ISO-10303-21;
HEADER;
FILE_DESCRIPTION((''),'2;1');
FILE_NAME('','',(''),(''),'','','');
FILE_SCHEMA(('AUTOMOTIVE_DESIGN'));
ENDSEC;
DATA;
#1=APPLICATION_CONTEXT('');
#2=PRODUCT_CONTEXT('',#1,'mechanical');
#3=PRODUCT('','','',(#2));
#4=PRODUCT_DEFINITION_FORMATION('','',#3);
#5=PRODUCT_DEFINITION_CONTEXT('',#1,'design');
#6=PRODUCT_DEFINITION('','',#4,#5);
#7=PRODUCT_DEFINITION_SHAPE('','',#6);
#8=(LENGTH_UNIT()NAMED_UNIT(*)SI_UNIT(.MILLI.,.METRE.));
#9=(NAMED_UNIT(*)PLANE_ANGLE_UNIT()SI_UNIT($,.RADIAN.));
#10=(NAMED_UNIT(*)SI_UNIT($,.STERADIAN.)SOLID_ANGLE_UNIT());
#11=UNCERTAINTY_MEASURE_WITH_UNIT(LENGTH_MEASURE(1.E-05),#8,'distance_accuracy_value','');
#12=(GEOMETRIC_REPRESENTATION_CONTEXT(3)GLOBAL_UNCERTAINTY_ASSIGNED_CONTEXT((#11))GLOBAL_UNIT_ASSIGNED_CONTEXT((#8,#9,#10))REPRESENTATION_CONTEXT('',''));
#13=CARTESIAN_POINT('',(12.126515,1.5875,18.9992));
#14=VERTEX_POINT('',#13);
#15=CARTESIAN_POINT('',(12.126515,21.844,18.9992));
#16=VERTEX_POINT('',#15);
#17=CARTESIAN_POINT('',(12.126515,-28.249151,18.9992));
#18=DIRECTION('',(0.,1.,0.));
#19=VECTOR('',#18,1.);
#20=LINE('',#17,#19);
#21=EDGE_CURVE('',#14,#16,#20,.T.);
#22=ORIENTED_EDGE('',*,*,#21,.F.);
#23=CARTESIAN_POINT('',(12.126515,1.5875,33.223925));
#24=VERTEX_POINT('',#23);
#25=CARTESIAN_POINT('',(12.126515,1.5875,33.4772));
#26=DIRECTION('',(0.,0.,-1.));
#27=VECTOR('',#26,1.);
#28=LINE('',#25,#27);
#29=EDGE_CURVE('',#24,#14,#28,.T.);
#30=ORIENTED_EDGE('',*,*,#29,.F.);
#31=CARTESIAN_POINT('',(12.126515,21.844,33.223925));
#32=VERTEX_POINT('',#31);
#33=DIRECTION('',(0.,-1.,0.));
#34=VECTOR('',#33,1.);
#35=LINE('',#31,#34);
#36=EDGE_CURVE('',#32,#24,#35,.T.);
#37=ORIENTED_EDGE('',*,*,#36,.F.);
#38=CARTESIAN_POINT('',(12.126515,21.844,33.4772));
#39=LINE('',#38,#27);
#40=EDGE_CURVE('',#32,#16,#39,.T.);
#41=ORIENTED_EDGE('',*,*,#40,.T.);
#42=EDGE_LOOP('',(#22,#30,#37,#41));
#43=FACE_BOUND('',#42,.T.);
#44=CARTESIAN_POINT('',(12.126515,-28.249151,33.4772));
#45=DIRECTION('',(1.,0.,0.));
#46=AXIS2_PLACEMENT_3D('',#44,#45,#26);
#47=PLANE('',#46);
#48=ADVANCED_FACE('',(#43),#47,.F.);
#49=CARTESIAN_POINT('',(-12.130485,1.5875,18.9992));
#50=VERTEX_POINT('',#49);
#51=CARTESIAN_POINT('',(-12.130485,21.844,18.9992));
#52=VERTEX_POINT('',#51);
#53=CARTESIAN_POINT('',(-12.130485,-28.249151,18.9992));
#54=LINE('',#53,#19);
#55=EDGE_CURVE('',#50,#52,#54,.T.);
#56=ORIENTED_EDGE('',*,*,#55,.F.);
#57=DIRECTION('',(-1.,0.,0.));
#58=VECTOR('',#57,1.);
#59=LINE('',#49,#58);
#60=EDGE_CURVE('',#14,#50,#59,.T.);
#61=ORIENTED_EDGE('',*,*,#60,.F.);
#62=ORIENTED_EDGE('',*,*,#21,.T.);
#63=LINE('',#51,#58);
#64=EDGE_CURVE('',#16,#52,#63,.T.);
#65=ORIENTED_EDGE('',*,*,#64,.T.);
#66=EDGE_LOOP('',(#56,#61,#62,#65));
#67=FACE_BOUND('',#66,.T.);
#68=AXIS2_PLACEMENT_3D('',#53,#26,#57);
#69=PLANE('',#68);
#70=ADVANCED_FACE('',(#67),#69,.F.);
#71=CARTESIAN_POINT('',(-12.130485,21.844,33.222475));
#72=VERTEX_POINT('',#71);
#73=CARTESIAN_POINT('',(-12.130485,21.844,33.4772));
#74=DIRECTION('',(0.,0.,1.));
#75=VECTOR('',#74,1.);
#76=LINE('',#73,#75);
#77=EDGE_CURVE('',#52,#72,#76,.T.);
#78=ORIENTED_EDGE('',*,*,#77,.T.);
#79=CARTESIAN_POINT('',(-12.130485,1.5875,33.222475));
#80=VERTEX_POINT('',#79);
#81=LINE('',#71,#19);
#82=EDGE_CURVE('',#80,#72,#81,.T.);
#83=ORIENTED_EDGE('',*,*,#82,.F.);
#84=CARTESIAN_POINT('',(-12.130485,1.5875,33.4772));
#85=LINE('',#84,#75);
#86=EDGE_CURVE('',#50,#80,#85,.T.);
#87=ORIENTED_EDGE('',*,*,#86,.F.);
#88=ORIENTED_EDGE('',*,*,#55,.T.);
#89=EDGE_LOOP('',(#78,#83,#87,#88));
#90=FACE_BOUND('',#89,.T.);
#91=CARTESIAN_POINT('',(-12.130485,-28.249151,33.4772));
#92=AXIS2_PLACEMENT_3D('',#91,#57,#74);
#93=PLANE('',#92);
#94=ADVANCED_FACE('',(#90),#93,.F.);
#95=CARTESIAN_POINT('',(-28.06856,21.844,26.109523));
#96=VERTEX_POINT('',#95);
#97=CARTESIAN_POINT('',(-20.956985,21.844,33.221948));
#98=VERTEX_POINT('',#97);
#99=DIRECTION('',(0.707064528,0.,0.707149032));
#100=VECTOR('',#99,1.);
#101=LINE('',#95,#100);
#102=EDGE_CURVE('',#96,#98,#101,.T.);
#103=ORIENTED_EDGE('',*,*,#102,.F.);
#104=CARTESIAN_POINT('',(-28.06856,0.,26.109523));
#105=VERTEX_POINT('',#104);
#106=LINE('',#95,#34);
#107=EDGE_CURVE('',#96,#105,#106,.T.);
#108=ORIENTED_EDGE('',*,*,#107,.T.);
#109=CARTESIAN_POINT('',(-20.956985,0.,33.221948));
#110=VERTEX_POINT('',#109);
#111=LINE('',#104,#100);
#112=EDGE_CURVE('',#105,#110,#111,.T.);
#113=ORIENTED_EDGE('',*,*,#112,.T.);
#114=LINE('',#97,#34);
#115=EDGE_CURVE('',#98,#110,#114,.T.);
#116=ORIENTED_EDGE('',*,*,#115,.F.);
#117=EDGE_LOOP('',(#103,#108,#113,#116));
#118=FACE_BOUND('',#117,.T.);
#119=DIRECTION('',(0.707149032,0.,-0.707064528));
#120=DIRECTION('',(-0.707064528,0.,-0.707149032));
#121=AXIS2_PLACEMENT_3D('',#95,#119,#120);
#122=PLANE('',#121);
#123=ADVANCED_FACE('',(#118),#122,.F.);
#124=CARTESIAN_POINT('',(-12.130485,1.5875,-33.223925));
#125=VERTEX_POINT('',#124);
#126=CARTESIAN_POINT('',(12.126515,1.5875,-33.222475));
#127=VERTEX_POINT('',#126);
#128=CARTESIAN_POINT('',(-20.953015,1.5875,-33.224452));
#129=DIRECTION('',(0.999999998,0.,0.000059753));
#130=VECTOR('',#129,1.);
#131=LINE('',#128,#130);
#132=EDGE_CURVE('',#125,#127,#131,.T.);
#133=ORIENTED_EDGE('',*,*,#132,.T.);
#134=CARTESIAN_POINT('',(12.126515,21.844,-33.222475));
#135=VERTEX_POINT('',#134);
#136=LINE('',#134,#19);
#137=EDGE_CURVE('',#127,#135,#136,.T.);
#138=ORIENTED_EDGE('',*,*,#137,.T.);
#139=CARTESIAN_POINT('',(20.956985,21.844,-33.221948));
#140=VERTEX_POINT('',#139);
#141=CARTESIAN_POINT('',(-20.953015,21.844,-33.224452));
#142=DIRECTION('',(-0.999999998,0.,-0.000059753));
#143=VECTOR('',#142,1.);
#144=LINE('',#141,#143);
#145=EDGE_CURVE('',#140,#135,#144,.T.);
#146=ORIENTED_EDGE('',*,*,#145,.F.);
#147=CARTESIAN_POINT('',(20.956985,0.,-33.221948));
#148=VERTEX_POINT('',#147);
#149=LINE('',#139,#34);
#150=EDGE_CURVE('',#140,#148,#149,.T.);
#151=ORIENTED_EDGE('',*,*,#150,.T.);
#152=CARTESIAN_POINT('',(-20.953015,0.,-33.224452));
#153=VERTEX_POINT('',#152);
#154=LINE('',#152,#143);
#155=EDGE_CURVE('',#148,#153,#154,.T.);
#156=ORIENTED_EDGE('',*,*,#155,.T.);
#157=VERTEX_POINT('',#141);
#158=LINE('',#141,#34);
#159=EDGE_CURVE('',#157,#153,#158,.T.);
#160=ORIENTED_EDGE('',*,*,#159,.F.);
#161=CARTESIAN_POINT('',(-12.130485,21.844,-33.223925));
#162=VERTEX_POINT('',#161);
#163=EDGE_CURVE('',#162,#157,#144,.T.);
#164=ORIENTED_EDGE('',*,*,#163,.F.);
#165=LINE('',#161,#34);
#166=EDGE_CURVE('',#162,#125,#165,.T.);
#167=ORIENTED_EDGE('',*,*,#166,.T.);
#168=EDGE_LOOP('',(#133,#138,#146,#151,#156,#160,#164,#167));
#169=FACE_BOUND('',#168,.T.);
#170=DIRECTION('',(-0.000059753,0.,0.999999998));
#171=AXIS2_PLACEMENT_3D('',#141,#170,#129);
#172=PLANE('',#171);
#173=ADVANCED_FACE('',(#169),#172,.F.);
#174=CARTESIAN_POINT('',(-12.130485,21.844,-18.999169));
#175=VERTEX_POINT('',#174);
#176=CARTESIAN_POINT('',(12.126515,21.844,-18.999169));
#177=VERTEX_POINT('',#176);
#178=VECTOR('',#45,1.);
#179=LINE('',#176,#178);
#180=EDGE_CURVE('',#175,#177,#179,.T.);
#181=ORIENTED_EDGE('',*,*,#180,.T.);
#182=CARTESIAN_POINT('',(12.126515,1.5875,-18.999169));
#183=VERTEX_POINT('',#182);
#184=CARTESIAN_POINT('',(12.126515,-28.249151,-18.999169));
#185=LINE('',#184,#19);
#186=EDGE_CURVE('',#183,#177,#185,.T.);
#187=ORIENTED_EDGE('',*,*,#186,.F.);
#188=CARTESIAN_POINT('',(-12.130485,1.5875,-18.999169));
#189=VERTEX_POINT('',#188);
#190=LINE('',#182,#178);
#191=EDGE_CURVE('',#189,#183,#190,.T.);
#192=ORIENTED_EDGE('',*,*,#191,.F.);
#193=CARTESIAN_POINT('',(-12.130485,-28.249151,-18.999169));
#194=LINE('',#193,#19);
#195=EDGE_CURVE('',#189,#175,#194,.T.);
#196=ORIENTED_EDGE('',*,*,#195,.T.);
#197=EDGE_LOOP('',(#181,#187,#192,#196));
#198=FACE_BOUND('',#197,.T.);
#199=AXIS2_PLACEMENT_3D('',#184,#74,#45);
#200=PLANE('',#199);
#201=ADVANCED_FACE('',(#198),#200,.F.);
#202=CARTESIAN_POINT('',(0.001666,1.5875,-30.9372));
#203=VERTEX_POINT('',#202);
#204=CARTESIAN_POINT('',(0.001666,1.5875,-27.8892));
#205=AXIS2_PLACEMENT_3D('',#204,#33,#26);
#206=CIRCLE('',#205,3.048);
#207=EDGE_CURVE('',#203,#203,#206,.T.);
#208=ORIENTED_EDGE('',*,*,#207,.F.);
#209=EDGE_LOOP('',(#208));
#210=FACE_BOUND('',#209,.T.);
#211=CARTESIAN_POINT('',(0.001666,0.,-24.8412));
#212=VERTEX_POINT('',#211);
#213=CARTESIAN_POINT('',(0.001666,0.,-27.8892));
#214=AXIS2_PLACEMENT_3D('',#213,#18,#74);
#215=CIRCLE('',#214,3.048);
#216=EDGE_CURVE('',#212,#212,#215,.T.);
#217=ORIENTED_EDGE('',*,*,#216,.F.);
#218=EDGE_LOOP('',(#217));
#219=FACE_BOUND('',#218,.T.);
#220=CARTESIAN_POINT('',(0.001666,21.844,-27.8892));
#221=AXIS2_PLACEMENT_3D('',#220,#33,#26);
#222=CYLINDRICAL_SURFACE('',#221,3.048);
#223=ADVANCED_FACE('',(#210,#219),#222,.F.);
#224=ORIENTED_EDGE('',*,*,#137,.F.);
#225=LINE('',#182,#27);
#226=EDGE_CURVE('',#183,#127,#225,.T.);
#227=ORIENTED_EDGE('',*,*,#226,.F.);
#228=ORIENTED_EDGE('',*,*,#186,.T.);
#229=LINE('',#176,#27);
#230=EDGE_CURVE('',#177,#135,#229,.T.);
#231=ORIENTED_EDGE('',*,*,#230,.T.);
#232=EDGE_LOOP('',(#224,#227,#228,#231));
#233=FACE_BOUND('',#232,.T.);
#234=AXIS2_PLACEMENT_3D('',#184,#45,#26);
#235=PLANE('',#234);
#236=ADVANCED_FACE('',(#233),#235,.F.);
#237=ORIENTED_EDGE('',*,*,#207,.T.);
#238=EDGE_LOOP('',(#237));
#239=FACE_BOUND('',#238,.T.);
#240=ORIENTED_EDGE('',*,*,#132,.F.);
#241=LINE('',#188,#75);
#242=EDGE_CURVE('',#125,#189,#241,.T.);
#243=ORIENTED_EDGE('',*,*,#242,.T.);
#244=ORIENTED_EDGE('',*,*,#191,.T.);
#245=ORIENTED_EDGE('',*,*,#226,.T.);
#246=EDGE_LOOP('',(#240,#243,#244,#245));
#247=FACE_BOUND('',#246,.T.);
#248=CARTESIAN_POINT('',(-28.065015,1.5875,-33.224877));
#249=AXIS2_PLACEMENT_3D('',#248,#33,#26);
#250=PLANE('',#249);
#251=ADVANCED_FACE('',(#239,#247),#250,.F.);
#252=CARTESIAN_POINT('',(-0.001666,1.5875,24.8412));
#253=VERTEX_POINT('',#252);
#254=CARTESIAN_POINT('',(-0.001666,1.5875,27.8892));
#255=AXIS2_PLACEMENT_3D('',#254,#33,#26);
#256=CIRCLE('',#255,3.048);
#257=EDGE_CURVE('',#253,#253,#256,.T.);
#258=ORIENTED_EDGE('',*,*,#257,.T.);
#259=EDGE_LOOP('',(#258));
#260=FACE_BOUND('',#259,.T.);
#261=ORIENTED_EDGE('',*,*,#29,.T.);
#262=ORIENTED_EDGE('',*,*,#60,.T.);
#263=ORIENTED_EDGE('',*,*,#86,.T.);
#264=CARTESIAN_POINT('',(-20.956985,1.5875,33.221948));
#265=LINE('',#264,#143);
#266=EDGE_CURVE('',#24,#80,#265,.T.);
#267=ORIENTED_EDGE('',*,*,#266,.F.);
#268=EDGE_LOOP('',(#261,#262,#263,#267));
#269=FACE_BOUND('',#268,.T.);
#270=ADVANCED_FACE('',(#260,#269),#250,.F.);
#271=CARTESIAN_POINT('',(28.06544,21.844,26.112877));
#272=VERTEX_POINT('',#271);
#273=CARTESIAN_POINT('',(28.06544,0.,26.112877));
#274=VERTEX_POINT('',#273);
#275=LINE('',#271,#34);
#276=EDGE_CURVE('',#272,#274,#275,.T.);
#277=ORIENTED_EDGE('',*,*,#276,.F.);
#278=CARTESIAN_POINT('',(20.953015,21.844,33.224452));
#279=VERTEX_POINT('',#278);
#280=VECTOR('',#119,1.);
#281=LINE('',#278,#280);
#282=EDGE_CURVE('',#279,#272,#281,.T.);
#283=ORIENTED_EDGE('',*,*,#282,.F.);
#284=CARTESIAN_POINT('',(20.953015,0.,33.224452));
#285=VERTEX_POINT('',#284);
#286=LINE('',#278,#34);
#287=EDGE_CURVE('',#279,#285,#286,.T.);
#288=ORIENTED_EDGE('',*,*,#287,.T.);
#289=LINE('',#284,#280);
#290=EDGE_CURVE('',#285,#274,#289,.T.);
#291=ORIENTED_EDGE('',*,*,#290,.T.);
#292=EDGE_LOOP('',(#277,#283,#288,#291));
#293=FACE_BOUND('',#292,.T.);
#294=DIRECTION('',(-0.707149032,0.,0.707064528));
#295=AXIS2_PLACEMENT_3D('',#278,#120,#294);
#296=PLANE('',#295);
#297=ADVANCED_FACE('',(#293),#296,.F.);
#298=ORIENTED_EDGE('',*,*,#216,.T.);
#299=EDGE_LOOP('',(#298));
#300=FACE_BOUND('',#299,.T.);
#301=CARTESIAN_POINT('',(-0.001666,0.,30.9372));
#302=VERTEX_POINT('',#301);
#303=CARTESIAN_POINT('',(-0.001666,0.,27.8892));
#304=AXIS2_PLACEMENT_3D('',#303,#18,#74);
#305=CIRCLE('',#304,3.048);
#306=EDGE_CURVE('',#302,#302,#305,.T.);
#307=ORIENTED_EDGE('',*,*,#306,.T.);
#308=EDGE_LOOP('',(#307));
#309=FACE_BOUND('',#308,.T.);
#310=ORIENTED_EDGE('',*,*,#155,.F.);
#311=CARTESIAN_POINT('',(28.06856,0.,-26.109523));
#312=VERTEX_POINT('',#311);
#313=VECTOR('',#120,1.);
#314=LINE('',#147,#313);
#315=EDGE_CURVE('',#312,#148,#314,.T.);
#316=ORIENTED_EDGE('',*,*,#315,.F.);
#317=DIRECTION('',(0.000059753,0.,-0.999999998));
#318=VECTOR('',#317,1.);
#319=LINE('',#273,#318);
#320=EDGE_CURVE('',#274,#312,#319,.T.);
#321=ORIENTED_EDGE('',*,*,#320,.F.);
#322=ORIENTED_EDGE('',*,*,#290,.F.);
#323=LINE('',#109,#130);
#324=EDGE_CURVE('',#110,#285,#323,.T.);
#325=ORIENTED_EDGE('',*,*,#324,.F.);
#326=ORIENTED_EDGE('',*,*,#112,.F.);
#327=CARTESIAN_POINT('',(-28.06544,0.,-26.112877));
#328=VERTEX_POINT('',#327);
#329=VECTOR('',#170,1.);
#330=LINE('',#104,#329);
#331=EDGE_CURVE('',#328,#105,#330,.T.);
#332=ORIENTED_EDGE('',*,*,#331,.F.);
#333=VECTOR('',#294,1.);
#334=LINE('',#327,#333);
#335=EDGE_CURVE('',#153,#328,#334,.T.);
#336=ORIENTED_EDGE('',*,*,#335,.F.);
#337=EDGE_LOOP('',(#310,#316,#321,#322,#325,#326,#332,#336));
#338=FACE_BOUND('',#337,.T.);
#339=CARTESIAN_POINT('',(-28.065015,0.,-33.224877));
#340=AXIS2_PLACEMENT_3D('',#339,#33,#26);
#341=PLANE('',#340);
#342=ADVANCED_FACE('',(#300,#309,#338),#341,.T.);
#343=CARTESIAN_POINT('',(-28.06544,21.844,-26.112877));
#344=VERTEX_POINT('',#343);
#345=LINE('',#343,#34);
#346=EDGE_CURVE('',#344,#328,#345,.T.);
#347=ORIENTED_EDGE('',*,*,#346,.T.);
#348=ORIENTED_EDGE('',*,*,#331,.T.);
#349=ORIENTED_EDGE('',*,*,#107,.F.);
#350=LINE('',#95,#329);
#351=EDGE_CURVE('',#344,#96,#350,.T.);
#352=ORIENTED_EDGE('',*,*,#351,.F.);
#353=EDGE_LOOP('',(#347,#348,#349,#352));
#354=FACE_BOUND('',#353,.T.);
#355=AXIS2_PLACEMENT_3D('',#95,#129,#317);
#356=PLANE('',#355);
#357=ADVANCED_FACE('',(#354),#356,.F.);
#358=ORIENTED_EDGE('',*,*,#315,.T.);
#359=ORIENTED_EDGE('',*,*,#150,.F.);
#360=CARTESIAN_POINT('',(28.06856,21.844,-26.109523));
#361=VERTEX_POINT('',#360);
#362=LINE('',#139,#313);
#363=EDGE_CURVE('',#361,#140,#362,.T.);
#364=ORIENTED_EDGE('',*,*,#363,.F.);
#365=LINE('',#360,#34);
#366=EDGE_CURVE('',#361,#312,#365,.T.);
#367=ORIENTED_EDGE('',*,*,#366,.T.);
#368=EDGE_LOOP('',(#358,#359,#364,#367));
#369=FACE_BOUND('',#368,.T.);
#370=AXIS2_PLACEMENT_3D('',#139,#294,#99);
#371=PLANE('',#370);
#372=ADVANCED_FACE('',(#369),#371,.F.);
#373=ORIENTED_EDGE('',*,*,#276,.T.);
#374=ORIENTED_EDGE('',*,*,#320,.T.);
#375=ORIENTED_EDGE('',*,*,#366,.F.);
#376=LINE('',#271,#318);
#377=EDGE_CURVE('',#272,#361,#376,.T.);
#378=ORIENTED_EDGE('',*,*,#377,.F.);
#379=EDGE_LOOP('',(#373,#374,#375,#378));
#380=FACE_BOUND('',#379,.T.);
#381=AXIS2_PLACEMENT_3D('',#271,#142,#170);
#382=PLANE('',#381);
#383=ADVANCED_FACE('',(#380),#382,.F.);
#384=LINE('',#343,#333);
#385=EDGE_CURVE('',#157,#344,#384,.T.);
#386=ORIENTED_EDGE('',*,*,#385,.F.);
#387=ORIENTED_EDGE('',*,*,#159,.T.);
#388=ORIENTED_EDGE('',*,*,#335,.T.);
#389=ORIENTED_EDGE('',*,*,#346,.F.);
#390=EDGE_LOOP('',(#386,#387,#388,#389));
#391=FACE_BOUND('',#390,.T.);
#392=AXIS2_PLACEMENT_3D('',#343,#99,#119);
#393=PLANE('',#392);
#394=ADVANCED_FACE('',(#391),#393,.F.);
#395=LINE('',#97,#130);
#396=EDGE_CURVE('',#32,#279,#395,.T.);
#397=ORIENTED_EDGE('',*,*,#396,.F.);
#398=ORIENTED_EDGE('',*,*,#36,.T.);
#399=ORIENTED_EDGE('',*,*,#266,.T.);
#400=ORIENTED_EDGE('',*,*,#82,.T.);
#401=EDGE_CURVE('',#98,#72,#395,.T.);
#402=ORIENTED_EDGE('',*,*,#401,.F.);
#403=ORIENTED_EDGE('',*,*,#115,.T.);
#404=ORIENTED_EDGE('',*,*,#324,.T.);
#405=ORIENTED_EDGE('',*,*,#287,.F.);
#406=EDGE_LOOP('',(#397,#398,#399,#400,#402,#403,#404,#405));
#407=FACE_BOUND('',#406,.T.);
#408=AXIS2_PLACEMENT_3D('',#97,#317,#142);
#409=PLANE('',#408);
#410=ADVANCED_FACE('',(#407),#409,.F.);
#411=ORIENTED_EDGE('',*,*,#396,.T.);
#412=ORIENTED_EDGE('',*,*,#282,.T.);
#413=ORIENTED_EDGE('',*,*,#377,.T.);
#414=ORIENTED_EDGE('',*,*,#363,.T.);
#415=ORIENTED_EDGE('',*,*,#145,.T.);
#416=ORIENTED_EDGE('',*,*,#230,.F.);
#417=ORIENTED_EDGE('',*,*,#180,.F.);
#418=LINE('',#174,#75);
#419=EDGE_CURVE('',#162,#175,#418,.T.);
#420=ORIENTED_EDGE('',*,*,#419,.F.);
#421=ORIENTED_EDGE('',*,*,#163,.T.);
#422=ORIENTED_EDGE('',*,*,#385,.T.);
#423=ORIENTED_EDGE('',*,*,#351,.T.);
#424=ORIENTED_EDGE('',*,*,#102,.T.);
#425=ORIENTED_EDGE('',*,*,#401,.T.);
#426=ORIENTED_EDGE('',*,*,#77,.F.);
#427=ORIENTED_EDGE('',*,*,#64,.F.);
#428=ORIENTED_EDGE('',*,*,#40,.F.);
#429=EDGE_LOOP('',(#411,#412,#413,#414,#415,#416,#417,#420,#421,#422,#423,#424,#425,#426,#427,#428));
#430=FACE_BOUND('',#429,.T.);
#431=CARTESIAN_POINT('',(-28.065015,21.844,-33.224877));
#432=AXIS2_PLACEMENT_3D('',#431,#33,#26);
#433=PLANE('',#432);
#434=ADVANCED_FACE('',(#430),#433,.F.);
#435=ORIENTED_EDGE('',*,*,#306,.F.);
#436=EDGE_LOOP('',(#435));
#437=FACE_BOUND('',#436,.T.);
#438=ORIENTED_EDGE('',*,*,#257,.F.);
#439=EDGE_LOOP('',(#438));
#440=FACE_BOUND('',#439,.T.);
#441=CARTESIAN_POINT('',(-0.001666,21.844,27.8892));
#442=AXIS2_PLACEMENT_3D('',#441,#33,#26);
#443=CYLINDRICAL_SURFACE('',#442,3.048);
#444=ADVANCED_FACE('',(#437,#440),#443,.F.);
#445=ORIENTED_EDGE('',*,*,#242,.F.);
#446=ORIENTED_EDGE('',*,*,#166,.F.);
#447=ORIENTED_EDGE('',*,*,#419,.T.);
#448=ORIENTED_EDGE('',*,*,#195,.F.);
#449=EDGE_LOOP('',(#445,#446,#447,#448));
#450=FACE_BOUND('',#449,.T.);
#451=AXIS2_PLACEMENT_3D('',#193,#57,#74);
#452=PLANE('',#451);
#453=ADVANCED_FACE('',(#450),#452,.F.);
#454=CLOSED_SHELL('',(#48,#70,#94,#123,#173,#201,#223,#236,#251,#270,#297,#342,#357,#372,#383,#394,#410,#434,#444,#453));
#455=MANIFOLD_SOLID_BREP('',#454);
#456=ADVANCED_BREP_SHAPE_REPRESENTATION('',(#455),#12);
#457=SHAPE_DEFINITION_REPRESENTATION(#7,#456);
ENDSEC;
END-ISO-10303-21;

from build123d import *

# Parameters (mm, degrees)
SKETCH1_R           = 3.048
BOSS_EXTRUDE1_DEPTH = 21.844
SKETCH2_W           = 24.257
SKETCH2_H           = 14.478
CUT_EXTRUDE1_DEPTH  = 20.2565


with BuildPart() as part:
    # Sketch1 → Boss-Extrude1 (new body)
    with BuildSketch(Plane(origin=(0, 0, 0), x_dir=(1, 0, 0), z_dir=(0, 1, 0))):
        Polygon((-28.065439725, 26.112877044), (-20.953014773, 33.224452067), (20.956985152, 33.221947814), (28.068560175, 26.109522863), (28.065439725, -26.112877044), (20.953014773, -33.224452067), (-20.956985152, -33.221947814), (-28.068560175, -26.109522863), align=None)
        with Locations(Location((0.001666466, 27.88919995, 0), (0, 0, 270))):
            Circle(SKETCH1_R, mode=Mode.SUBTRACT)
        with Locations(Location((-0.001666466, -27.88919995, 0), (0, 0, 270))):
            Circle(SKETCH1_R, mode=Mode.SUBTRACT)
    extrude(amount=BOSS_EXTRUDE1_DEPTH)

    # Sketch2 → Cut-Extrude1 (cut)
    with BuildSketch(Plane(origin=(0, 21.844, 0), x_dir=(1, 0, 0), z_dir=(0, 1, 0))):
        with Locations((-0.001985189, -26.238199941)):
            Rectangle(SKETCH2_W, SKETCH2_H)
        with Locations((-0.001985189, 26.238168907)):
            Rectangle(SKETCH2_W, SKETCH2_H)
    extrude(amount=-CUT_EXTRUDE1_DEPTH, mode=Mode.SUBTRACT)


solid = part.part
